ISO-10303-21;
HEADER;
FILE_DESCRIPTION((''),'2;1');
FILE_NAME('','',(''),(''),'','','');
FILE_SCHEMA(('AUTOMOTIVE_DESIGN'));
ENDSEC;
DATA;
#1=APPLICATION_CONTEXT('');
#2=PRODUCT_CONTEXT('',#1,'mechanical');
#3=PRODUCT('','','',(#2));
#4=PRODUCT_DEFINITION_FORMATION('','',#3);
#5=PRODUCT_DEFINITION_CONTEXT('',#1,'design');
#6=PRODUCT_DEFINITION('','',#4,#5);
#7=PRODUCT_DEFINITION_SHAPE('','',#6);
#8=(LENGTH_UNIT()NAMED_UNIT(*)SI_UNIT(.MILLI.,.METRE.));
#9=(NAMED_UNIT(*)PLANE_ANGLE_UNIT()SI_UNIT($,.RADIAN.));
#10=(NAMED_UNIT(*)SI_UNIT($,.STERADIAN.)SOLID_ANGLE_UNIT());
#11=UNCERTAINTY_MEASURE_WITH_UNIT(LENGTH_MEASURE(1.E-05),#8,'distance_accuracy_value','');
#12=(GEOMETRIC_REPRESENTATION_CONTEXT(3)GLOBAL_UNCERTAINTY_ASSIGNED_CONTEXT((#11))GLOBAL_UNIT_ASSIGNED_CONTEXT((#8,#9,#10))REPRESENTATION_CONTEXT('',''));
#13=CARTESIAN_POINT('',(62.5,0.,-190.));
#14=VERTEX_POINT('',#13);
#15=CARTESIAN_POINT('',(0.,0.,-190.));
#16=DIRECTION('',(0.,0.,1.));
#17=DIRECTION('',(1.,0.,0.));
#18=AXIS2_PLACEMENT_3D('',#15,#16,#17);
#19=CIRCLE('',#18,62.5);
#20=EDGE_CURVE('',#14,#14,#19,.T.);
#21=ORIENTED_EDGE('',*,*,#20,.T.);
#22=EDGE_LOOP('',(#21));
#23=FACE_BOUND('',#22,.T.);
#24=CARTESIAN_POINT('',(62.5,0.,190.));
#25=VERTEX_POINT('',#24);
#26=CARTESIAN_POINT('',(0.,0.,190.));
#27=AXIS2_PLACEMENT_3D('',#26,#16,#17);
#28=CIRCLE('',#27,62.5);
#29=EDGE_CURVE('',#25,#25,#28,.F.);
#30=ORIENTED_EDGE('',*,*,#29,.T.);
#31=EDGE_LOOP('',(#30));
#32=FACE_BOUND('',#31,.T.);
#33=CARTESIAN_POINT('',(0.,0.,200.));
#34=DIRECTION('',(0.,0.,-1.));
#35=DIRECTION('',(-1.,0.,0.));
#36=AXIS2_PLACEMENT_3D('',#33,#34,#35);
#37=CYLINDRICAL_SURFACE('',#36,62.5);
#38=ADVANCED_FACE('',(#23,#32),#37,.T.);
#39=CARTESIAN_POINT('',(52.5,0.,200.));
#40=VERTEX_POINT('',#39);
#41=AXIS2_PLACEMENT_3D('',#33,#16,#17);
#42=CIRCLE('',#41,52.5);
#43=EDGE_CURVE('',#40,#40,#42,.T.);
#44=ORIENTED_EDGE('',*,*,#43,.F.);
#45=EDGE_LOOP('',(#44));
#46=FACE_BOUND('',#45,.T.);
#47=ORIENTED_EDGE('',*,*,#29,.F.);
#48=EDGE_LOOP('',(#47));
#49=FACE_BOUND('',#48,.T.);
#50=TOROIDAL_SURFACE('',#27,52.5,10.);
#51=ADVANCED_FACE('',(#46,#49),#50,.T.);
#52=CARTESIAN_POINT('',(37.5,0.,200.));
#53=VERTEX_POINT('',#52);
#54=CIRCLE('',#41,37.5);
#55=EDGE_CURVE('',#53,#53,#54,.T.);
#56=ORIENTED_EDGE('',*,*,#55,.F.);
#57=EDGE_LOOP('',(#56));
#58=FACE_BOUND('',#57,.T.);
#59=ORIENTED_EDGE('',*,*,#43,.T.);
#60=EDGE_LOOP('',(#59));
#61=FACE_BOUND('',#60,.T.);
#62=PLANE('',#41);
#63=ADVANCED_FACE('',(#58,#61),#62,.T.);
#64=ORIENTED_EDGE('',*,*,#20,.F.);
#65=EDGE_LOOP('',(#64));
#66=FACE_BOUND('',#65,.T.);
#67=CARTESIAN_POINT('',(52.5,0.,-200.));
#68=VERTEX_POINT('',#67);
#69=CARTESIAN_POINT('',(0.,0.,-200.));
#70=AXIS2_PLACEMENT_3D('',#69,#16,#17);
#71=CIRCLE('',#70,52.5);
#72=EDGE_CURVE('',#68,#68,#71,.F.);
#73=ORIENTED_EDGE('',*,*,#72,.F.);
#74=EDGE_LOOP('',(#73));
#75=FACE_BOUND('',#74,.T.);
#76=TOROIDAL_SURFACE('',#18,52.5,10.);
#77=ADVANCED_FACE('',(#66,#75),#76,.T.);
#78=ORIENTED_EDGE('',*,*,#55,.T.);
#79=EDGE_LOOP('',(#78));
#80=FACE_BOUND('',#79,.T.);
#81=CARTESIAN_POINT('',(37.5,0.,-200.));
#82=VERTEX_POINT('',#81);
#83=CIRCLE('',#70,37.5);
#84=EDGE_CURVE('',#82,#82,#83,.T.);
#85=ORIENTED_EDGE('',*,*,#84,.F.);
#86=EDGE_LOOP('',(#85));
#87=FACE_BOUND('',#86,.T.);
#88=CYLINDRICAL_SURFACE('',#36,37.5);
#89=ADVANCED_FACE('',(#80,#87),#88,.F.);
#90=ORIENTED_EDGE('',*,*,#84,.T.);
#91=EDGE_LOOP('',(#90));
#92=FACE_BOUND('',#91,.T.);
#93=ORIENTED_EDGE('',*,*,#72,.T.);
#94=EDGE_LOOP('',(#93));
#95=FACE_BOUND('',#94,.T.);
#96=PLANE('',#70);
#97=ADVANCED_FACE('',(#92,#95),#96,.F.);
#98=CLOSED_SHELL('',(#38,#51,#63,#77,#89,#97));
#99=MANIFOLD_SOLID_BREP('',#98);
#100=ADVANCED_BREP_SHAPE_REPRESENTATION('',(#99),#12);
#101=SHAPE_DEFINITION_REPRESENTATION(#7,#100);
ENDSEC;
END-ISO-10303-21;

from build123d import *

# Parameters (mm, degrees)
SKETCH1_R           = 62.5
SKETCH1_R_2         = 37.5
BOSS_EXTRUDE1_DEPTH = 200
FILLET1_R           = 10


with BuildPart() as part:
    # Sketch1 → Boss-Extrude1 (new body, symmetric)
    with BuildSketch(Plane.XY):
        Circle(SKETCH1_R)
        Circle(SKETCH1_R_2, mode=Mode.SUBTRACT)
    extrude(amount=BOSS_EXTRUDE1_DEPTH, both=True)

    # Fillet1
    fillet1_edges = [part.edges().sort_by_distance(p)[0] for p in [
        (-62.5, 0, -200),
        (-62.5, 0, 200),
    ]]
    fillet(fillet1_edges, radius=FILLET1_R)


solid = part.part
